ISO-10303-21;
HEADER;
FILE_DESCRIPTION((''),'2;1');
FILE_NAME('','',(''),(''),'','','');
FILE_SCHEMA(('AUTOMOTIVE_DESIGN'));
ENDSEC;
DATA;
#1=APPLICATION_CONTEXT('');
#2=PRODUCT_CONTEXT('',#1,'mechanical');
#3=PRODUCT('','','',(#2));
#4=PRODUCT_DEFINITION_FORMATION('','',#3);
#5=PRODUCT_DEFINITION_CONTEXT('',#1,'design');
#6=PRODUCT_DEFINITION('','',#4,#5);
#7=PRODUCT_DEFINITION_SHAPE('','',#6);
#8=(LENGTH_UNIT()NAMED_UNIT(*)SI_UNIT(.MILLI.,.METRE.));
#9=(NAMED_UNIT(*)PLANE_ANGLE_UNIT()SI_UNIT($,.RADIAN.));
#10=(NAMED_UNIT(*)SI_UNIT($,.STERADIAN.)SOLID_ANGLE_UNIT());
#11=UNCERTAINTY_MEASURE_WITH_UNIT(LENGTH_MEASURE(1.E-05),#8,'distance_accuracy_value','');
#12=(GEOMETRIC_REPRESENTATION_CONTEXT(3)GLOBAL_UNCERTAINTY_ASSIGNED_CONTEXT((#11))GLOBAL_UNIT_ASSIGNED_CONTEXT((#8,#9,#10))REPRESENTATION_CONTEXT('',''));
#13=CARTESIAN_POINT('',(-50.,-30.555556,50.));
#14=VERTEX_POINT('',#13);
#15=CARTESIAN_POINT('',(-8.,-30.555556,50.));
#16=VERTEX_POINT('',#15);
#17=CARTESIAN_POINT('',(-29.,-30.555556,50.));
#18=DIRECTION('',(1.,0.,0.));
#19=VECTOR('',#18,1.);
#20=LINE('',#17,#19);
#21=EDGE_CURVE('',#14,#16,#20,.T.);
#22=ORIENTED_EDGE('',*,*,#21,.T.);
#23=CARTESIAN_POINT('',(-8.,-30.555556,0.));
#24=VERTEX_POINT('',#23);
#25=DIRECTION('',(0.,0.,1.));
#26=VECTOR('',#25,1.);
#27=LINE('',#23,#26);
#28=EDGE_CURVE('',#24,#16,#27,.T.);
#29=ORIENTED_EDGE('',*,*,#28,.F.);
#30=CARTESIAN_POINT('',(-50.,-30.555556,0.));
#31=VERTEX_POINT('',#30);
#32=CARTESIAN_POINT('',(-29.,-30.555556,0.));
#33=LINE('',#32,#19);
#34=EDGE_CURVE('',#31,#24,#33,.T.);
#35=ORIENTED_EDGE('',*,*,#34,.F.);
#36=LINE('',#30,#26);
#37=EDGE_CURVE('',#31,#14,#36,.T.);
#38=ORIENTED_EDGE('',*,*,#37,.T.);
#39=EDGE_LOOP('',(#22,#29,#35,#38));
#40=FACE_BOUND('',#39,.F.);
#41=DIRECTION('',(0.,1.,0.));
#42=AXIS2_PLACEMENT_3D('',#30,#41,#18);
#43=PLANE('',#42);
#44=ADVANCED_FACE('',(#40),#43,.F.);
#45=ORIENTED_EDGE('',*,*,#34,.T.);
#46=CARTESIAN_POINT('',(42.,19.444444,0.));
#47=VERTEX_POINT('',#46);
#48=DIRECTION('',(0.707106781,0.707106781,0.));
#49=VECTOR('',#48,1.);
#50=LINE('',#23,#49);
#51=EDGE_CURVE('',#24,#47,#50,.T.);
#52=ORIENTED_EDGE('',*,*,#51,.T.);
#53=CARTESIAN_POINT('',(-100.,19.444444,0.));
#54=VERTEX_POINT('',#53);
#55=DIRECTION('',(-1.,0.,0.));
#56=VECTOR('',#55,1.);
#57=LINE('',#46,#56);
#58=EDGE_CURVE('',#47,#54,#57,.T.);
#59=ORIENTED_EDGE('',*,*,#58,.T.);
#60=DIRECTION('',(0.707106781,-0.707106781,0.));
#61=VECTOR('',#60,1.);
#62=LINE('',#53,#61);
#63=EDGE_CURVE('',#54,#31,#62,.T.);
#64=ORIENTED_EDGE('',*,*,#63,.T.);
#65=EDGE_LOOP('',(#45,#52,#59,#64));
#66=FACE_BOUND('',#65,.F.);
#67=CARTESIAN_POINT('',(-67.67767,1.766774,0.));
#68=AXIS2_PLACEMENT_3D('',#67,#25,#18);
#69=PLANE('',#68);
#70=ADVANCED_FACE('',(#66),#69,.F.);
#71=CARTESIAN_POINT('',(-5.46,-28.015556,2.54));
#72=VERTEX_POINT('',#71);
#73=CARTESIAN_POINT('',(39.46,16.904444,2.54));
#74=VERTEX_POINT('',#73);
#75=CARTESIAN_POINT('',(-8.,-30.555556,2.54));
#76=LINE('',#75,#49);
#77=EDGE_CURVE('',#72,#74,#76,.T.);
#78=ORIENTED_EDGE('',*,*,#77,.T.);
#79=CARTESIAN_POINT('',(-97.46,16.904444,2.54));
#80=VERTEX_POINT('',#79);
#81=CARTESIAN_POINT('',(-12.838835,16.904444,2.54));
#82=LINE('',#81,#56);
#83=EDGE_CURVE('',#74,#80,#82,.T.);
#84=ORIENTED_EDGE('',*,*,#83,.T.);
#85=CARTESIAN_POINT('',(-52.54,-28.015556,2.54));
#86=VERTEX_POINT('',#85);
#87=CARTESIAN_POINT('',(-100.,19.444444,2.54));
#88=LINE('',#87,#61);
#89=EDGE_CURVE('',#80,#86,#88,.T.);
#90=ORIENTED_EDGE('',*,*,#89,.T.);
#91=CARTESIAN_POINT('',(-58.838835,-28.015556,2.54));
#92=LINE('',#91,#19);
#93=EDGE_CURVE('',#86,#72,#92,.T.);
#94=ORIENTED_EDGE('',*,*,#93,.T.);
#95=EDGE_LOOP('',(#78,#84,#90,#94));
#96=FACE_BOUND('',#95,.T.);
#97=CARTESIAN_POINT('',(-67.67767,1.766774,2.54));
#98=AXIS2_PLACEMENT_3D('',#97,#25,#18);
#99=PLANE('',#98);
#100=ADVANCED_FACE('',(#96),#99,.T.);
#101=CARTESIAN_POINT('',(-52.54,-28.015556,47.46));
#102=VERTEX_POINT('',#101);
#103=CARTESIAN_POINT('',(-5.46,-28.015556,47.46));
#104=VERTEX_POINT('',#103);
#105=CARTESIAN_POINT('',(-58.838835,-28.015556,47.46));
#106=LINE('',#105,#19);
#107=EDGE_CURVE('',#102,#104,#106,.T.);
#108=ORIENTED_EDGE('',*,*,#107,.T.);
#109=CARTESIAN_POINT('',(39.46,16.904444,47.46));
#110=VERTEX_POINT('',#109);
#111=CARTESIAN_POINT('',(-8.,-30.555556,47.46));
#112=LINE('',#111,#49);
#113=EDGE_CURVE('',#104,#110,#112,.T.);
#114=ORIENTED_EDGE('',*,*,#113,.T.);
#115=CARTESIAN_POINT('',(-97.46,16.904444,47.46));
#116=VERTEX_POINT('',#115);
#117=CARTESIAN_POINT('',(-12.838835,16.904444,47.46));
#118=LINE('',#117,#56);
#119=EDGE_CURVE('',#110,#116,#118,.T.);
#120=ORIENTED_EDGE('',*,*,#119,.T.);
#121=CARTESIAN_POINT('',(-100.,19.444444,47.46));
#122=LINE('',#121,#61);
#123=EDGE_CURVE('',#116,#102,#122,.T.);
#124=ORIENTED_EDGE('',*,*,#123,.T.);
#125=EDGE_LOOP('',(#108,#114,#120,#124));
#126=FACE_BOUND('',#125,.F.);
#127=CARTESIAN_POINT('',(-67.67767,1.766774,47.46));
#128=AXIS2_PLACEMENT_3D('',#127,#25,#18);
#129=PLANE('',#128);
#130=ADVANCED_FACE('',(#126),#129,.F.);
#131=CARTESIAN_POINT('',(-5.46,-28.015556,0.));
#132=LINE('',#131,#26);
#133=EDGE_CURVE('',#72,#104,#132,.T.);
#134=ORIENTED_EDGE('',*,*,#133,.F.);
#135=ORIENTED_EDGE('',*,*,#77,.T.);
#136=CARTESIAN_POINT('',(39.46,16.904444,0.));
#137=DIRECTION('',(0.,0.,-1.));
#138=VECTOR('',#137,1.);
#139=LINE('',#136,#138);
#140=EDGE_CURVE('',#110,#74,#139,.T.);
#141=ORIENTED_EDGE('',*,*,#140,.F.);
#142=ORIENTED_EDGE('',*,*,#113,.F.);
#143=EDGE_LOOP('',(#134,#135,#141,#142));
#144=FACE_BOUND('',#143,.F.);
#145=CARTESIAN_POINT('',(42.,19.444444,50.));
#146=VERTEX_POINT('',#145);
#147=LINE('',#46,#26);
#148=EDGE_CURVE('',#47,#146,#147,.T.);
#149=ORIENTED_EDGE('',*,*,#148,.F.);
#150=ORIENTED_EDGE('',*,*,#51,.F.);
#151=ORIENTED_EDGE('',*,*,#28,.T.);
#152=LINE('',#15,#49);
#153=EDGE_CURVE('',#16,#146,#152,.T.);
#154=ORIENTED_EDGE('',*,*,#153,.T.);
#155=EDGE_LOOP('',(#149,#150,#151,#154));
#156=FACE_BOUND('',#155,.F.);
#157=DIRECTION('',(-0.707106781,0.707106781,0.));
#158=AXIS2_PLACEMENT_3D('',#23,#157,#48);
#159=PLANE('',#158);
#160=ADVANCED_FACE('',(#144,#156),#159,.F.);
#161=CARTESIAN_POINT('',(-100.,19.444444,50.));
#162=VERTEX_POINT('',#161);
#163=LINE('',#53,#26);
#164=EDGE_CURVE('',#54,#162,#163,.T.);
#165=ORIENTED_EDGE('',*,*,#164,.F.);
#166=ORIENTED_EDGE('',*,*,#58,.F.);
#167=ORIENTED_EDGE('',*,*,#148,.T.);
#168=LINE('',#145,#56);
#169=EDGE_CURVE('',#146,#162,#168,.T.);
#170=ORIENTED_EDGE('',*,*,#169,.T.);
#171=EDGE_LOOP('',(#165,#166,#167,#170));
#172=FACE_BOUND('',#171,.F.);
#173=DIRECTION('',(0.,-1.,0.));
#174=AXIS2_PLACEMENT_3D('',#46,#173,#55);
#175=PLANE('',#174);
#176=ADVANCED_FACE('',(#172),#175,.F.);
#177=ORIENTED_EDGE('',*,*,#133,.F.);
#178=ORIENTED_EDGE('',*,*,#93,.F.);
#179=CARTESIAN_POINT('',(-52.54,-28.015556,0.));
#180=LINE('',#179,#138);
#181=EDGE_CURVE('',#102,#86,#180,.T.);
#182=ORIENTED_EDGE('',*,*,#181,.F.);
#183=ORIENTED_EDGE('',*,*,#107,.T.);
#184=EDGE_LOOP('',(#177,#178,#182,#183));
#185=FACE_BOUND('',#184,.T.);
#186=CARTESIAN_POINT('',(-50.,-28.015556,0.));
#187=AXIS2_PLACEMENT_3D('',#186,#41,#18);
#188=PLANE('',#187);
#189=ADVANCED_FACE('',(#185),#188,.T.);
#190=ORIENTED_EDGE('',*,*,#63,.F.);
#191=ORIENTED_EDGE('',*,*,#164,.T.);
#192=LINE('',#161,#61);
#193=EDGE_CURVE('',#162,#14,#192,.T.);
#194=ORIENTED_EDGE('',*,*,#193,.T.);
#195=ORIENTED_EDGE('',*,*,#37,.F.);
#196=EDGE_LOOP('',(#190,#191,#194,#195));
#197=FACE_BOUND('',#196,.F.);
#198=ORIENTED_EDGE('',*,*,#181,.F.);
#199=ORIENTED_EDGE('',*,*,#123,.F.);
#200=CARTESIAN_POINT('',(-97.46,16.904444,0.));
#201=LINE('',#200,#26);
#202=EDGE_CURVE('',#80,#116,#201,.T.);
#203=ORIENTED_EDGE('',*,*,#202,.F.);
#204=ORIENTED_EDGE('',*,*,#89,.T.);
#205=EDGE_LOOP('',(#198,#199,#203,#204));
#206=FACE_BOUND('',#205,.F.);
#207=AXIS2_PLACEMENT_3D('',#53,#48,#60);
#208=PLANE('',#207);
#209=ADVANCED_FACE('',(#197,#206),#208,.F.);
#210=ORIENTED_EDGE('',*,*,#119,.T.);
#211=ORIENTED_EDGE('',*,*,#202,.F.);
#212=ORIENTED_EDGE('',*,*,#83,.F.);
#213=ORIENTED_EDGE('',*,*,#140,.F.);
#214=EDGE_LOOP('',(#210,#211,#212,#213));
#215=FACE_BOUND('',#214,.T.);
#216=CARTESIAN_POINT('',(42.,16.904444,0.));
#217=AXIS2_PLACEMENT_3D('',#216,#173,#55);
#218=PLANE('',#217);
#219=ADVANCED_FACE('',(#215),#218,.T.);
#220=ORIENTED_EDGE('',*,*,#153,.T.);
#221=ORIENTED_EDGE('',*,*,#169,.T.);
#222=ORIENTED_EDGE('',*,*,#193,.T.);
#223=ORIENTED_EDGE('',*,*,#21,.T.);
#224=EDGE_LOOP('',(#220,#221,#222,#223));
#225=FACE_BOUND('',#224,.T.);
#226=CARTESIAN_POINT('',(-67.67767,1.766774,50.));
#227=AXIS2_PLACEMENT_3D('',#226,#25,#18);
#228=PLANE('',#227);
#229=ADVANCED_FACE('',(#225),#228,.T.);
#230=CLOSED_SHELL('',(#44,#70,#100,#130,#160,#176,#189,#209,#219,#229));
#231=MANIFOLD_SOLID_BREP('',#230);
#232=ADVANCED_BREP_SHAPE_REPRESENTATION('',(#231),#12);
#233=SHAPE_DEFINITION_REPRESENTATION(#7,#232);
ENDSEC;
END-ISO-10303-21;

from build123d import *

# Parameters (mm, degrees)
F0_W     = 42
F0_H     = 50
F1_DEPTH = 50
F2_T     = -2.54


with BuildPart() as f1:
    # F0 (on Top) → F1 (new body)
    with BuildSketch(Plane.XY):
        Polygon((-100, 19.444444), (-50, -30.555556), (-50, 19.444444), align=None)
        with Locations((-29, -5.555556)):
            Rectangle(F0_W, F0_H)
        Polygon((-8, 19.444444), (-8, -30.555556), (42, 19.444444), align=None)
    extrude(amount=F1_DEPTH)

    # F2
    f2_openings = [f1.faces().sort_by_distance(p)[0] for p in [
        (17, -5.555556, 25),
        (-75, -5.555556, 25),
    ]]
    offset(amount=F2_T, openings=f2_openings)


solid = f1.part
